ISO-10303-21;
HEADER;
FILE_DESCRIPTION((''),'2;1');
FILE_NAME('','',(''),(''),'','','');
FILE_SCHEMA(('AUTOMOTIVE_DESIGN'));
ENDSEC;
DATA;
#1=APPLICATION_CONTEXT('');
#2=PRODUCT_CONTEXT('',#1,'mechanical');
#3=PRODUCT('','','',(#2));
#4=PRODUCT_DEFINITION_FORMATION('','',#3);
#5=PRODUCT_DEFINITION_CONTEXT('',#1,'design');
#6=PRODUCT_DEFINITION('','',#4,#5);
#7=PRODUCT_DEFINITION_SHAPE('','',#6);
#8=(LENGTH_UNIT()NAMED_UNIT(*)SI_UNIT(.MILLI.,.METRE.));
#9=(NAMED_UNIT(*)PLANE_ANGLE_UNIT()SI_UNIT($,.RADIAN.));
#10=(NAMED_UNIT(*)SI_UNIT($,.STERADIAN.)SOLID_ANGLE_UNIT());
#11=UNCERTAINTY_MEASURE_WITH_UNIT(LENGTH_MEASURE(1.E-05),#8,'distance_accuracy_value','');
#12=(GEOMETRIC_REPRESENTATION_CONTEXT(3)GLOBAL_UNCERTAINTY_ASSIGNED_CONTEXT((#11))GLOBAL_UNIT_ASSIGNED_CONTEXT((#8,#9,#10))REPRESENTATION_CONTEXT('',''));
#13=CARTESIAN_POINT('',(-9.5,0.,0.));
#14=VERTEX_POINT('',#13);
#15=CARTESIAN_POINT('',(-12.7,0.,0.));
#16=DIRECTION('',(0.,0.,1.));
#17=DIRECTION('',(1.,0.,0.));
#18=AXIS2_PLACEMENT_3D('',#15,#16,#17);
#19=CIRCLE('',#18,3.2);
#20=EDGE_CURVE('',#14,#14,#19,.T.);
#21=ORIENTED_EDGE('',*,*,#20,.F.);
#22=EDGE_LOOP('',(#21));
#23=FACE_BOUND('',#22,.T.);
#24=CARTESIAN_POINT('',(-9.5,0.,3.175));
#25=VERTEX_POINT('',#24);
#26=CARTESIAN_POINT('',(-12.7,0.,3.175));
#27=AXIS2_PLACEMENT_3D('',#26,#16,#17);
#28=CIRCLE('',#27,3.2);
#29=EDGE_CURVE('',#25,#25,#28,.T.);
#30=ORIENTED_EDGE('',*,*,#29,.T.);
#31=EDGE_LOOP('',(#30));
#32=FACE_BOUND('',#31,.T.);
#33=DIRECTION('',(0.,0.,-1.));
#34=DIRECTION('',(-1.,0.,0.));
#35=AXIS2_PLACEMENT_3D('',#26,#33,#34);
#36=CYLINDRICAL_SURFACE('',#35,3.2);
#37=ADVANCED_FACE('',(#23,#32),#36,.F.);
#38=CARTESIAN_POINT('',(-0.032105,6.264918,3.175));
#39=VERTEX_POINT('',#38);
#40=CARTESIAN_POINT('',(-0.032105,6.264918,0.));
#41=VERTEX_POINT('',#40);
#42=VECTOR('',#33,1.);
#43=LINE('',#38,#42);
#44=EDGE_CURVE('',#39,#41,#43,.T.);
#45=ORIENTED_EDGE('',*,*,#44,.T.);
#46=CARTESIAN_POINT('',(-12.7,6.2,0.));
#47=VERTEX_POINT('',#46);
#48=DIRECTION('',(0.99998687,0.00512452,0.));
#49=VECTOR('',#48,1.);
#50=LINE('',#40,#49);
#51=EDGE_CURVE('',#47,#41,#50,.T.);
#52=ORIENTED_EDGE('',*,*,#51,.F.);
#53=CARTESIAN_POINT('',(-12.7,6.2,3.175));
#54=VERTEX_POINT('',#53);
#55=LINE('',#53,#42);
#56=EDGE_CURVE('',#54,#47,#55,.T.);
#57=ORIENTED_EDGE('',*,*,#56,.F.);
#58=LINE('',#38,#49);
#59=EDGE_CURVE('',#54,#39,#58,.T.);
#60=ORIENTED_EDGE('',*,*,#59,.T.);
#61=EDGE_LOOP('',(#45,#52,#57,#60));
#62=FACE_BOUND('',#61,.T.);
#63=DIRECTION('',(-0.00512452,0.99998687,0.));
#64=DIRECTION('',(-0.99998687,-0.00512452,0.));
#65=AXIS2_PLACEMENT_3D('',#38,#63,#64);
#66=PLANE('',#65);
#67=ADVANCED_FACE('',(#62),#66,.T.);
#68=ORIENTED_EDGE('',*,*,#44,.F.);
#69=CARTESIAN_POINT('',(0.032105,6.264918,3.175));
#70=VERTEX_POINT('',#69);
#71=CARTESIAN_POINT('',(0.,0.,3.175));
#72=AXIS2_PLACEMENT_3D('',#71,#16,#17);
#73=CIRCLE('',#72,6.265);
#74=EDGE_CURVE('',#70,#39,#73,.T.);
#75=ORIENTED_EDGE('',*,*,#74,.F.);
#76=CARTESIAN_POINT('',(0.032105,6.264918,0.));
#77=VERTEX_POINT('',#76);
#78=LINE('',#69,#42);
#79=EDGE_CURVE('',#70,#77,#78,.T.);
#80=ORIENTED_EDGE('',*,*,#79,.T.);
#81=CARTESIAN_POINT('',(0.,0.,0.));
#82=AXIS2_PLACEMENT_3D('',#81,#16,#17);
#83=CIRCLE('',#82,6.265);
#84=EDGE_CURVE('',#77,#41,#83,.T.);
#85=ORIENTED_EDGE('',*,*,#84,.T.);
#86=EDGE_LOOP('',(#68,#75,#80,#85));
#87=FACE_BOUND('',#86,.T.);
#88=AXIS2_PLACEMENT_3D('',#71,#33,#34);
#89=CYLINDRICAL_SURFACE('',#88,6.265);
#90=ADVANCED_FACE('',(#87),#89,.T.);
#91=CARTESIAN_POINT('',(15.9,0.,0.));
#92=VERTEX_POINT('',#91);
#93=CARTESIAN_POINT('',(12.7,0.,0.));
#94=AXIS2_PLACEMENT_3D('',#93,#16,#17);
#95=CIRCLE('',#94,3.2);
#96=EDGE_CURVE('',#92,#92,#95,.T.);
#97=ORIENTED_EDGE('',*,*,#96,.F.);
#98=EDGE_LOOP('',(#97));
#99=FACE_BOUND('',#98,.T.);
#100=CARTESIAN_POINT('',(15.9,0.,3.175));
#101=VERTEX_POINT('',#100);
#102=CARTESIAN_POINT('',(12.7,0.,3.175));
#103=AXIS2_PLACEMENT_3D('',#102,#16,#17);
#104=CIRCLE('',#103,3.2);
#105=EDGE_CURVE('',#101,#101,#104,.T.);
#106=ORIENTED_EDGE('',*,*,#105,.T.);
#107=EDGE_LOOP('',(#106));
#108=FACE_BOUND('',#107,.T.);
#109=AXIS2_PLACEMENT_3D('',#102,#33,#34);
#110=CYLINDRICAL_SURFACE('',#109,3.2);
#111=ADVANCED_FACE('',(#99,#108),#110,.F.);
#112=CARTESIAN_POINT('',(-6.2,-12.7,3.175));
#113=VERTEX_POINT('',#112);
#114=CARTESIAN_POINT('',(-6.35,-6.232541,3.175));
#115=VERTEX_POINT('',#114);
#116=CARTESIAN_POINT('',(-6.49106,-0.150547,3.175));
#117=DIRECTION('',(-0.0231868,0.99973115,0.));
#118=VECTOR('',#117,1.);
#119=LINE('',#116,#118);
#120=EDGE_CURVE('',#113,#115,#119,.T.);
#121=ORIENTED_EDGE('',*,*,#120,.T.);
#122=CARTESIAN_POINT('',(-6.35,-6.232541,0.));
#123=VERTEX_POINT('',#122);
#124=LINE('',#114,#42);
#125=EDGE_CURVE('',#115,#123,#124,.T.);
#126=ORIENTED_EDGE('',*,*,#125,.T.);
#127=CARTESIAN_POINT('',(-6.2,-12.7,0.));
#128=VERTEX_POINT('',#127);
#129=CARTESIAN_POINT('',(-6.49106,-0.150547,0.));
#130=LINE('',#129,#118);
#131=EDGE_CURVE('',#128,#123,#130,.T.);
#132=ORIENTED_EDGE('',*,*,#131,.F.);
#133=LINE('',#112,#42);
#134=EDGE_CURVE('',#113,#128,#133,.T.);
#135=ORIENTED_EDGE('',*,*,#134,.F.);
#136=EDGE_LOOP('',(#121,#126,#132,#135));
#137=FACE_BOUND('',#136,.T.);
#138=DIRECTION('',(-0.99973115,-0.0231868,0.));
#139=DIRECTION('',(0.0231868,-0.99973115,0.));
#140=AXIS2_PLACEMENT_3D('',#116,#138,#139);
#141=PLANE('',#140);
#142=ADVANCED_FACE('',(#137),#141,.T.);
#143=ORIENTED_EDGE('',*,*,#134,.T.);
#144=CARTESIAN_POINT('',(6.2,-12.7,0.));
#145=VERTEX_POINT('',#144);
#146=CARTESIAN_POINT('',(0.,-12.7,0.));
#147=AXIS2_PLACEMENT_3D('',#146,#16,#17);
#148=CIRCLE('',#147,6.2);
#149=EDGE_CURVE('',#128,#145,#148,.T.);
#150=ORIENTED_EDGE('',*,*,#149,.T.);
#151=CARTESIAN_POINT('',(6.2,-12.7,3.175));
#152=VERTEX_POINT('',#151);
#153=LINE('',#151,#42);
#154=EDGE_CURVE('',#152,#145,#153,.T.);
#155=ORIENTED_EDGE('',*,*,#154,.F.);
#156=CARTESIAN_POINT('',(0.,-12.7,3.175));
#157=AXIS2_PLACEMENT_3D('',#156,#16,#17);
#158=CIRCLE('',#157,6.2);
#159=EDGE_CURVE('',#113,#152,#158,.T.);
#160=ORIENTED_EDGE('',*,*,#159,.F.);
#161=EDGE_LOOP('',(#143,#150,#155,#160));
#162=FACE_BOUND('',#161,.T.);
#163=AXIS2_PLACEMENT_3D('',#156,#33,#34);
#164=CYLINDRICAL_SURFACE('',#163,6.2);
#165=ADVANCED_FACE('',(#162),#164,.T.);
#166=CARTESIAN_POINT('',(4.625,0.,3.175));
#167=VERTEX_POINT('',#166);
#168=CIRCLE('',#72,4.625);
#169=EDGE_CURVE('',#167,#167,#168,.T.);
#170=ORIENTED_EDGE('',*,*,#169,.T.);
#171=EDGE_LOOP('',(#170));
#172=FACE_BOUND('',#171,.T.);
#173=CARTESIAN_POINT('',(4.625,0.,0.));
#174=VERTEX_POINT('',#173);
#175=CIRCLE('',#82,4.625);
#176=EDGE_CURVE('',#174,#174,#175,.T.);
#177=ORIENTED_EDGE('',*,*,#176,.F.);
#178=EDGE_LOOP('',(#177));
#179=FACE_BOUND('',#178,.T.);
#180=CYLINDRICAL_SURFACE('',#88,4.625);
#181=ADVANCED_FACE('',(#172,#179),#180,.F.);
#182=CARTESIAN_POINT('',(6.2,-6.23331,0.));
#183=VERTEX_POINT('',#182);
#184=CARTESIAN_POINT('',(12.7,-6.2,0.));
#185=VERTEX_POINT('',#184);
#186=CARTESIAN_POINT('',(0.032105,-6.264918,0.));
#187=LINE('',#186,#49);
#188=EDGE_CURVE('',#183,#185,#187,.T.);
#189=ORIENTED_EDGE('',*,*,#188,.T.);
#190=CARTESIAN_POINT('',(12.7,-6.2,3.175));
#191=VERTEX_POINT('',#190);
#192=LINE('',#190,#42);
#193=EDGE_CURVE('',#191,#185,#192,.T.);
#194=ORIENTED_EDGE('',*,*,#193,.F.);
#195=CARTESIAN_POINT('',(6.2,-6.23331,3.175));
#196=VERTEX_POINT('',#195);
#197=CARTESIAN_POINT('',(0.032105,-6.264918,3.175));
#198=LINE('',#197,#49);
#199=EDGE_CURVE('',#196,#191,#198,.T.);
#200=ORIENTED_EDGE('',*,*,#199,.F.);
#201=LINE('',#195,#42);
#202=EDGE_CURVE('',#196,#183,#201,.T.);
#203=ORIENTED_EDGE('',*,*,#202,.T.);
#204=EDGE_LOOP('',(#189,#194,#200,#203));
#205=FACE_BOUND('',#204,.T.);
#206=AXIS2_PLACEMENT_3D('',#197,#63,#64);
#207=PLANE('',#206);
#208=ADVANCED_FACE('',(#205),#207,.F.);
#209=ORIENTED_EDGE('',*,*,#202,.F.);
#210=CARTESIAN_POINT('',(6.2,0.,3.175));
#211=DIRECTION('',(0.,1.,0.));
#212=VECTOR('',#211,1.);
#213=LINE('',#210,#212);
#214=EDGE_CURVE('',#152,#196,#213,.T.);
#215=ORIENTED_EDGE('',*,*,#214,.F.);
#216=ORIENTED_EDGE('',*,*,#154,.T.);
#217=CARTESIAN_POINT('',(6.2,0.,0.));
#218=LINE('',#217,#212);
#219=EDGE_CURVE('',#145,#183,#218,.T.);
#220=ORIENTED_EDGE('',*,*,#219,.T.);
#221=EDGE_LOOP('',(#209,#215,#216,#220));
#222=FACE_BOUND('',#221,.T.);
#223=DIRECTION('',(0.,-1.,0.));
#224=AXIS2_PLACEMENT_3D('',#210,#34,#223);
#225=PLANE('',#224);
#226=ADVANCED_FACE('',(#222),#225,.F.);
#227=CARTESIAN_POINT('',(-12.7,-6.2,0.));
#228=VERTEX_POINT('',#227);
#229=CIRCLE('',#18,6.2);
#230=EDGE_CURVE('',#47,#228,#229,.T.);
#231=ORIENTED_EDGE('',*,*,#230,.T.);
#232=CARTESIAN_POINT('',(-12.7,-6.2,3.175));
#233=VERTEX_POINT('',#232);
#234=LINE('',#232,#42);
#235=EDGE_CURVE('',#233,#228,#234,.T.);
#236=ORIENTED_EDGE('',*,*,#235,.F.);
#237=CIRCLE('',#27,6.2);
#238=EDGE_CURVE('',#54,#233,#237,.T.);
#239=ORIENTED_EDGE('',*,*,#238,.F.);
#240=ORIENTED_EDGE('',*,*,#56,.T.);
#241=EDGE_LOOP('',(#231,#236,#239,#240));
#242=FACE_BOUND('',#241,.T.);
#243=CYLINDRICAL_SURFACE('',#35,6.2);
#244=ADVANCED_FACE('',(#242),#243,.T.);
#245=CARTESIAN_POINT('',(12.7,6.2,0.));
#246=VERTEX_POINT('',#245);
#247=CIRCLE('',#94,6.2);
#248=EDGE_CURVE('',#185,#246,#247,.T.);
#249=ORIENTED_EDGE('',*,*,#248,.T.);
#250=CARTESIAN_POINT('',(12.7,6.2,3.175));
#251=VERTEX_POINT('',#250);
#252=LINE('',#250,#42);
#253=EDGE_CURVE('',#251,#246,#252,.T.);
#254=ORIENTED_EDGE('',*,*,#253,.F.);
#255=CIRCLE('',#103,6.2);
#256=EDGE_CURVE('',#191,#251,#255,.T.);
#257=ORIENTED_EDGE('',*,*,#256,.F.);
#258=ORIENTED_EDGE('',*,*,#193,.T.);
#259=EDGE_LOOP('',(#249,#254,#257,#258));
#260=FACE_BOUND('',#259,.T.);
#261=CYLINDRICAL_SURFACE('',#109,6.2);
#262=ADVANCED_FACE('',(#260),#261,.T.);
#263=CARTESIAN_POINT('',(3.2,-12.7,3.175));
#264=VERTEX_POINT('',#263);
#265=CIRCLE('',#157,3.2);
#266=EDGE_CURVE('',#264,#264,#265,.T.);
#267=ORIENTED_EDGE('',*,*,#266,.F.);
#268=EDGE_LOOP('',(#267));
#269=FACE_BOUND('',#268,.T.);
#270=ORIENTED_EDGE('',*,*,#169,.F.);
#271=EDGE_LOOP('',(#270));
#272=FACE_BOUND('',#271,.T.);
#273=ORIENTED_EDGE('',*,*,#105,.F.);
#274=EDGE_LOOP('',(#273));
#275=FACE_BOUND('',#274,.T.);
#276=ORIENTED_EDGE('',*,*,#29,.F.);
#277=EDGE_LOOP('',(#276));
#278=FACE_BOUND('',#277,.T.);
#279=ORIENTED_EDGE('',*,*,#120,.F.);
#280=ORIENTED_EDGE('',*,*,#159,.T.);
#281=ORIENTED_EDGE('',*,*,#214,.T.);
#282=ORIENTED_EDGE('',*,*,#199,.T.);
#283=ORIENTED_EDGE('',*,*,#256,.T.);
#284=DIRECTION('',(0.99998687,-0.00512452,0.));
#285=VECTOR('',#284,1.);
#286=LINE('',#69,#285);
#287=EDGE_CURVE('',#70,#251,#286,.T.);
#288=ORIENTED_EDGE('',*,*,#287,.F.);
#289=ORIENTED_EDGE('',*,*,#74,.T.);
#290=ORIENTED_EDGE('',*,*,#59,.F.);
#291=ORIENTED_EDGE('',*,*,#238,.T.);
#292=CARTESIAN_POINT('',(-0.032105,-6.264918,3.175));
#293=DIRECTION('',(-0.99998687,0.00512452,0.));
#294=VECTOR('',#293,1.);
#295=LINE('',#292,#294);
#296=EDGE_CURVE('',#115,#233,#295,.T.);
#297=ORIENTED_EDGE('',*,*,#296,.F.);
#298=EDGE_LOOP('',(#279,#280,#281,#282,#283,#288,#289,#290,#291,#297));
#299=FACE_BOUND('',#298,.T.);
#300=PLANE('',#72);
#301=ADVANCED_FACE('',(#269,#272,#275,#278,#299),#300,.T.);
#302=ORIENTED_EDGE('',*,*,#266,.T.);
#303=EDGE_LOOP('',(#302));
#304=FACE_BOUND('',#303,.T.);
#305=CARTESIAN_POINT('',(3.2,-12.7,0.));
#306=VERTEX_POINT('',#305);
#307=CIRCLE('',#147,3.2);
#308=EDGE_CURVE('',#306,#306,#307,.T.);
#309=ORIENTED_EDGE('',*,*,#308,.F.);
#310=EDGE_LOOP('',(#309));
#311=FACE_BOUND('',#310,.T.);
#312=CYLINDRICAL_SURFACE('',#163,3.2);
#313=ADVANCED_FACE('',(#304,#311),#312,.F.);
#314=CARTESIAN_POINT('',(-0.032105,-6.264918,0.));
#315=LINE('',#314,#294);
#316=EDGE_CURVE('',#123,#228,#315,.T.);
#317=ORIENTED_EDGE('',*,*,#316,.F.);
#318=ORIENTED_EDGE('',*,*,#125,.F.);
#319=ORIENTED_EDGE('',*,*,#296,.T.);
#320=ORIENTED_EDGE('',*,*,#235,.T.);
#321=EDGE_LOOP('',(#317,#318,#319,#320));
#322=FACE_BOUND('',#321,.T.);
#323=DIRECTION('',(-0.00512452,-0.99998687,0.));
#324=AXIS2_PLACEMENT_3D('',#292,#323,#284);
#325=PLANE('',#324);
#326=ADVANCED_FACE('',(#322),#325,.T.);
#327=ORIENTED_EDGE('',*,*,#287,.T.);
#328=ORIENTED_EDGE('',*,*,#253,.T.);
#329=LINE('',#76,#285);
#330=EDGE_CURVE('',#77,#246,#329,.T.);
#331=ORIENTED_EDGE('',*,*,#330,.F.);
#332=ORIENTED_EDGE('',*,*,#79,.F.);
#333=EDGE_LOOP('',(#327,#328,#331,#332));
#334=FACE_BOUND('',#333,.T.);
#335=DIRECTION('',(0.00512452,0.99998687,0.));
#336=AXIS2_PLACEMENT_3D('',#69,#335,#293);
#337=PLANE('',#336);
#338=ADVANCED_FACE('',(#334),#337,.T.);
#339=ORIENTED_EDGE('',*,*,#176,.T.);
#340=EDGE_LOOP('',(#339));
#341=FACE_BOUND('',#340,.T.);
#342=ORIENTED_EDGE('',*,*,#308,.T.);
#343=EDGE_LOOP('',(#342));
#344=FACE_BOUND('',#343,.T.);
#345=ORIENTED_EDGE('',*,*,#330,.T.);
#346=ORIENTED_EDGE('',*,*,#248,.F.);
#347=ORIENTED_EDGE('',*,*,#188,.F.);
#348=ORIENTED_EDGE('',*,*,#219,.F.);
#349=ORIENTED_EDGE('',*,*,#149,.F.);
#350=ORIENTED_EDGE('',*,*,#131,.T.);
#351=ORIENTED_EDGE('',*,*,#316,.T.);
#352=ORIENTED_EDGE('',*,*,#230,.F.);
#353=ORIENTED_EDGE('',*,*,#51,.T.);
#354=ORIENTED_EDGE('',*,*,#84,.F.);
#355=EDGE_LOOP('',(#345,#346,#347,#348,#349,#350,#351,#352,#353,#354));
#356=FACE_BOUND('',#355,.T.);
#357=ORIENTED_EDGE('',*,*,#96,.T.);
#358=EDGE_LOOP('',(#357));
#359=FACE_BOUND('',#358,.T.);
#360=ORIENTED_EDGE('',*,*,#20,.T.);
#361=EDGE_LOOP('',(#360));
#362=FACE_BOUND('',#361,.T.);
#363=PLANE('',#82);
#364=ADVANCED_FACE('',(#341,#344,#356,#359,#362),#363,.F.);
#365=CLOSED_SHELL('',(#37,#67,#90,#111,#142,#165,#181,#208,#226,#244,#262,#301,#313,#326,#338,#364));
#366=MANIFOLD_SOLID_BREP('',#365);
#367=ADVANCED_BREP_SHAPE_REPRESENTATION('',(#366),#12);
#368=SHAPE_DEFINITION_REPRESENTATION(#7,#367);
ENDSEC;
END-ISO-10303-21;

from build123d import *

# Parameters (mm, degrees)
SKETCH3_R           = 3.2
SKETCH3_R_2         = 4.625
BOSS_EXTRUDE1_DEPTH = 3.175


with BuildPart() as part:
    # Sketch3 → Boss-Extrude1 (new body)
    with BuildSketch(Plane.XY):
        with BuildLine():
            Line((0, 6.265082263), (-12.7, 6.2))
            ThreePointArc((-12.7, 6.2), (-18.9, 0), (-12.7, -6.2))
            Line((-12.7, -6.2), (-6.35, -6.232541132))
            Line((-6.35, -6.232541132), (-6.2, -12.7))
            ThreePointArc((-6.2, -12.7), (0, -18.9), (6.2, -12.7))
            Line((6.2, -12.7), (6.2, -6.23330982))
            Line((6.2, -6.23330982), (12.7, -6.2))
            ThreePointArc((12.7, -6.2), (18.9, 0), (12.7, 6.2))
            Line((12.7, 6.2), (0, 6.265082263))
        make_face()
        with Locations((-12.7, 0)):
            Circle(SKETCH3_R, mode=Mode.SUBTRACT)
        with Locations((12.7, 0)):
            Circle(SKETCH3_R, mode=Mode.SUBTRACT)
        Circle(SKETCH3_R_2, mode=Mode.SUBTRACT)
        with Locations((0, -12.7)):
            Circle(SKETCH3_R, mode=Mode.SUBTRACT)
    extrude(amount=BOSS_EXTRUDE1_DEPTH)


solid = part.part
